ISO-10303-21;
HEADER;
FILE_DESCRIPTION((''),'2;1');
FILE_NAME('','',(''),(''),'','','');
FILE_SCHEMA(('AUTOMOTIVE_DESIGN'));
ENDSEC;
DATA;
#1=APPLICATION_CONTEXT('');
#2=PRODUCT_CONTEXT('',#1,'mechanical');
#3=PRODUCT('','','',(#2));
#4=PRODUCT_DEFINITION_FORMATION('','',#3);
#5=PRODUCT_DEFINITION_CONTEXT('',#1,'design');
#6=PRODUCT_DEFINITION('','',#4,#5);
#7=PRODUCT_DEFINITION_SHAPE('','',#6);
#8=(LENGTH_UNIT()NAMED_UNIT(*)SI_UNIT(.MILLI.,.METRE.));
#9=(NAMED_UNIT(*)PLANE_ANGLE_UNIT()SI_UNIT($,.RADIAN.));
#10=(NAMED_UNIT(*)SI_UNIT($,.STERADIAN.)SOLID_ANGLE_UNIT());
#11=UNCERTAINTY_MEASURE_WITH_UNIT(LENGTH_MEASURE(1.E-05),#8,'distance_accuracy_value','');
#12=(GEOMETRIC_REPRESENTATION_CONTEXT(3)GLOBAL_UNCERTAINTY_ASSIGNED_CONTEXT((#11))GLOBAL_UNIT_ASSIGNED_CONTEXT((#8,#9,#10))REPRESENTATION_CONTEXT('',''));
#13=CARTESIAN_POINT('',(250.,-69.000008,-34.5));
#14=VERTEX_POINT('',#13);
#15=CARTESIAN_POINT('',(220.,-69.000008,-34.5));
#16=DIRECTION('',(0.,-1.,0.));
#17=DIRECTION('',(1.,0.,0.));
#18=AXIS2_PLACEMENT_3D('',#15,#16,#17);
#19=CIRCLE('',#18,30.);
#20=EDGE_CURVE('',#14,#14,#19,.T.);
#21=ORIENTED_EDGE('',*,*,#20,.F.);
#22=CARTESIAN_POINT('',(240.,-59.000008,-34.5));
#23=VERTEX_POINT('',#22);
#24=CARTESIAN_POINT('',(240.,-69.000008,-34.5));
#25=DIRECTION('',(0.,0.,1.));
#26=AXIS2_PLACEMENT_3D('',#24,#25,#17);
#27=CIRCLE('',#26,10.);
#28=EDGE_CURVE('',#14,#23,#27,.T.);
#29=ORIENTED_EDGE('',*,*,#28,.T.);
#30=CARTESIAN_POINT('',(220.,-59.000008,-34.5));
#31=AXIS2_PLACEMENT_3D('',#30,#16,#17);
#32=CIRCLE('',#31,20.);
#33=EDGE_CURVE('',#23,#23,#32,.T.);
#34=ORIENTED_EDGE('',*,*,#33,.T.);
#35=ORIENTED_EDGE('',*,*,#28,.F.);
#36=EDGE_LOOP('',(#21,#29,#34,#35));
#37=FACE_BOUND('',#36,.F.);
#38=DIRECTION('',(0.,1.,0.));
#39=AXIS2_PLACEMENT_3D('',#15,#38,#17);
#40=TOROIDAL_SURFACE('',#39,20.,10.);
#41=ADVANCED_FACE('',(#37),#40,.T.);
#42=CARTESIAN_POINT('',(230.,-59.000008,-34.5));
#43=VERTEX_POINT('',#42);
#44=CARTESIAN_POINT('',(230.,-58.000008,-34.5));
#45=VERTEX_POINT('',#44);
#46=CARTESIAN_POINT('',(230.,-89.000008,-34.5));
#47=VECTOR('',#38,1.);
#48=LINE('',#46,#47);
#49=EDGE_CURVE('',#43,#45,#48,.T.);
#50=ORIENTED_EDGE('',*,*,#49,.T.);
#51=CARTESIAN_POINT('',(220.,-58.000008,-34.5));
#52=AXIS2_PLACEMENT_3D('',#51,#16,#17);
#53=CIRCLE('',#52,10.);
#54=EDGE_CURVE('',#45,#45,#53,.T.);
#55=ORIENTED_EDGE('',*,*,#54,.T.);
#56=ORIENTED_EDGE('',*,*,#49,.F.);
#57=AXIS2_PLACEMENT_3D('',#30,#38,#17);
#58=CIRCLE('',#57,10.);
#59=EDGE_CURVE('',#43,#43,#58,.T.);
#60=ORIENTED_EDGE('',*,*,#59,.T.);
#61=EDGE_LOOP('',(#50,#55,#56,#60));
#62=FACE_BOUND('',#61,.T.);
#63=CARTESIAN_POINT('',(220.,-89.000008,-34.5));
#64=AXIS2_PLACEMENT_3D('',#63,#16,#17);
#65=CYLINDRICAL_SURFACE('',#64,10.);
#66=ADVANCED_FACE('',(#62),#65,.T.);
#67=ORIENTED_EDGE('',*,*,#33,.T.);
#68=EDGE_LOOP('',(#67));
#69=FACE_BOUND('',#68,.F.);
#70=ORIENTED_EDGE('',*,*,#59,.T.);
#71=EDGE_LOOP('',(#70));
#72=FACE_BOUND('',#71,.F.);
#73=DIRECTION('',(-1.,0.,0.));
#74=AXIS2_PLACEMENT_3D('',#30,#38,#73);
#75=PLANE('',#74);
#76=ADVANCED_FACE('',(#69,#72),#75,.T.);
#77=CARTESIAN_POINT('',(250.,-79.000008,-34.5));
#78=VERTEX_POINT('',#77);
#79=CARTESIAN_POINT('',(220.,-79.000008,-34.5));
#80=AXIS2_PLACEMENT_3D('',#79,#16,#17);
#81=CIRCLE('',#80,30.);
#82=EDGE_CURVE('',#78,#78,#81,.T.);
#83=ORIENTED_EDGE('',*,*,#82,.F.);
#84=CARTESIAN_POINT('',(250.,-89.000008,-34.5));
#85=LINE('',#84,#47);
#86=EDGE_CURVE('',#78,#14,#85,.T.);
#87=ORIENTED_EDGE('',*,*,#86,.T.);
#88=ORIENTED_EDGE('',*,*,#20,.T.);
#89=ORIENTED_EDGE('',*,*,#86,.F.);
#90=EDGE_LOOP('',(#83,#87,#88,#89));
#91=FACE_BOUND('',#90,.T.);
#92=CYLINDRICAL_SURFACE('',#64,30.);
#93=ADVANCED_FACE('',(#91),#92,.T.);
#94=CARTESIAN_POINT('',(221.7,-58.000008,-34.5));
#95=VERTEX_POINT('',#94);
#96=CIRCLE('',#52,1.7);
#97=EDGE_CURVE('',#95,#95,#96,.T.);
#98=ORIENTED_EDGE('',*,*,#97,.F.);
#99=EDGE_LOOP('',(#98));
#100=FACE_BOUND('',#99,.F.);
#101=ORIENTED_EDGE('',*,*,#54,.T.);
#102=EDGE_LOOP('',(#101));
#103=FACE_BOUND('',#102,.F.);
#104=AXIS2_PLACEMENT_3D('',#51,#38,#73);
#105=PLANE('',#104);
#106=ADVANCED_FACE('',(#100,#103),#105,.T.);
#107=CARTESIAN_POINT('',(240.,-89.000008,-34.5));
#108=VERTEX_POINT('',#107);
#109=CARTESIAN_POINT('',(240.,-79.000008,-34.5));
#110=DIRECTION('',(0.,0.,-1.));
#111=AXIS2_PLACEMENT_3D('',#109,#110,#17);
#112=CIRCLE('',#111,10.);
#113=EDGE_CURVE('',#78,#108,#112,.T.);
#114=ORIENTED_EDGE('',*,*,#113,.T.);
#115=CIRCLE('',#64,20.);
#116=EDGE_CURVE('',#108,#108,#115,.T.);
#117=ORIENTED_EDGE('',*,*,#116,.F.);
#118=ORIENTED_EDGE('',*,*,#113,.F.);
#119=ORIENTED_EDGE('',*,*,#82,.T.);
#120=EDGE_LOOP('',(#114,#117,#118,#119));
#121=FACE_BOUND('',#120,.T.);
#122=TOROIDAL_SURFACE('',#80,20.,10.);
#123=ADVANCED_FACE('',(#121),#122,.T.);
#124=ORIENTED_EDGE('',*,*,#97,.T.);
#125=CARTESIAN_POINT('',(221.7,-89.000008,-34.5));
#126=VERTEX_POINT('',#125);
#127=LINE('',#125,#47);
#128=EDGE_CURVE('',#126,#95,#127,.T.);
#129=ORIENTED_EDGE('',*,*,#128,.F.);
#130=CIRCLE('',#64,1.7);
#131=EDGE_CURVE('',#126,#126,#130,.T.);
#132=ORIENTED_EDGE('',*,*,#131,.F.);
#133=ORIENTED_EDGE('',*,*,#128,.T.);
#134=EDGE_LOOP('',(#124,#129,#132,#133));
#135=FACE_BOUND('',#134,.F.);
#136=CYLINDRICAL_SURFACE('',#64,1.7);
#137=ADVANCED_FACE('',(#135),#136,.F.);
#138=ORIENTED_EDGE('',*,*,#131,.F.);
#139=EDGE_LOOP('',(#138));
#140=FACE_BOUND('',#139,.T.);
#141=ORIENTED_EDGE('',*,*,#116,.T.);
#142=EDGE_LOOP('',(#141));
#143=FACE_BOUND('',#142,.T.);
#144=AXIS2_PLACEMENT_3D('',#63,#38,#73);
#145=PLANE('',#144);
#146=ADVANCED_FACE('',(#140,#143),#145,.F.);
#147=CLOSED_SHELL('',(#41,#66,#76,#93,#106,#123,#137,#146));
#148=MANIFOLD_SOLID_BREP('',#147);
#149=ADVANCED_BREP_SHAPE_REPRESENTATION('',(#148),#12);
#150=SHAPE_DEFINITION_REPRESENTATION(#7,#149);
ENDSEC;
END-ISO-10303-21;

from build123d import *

# Parameters (mm, degrees)
CYLINDER014_R          = 1.7
CYLINDER014_DEPTH      = 31
CYLINDER014_ROLL_ANGLE = 90
CYLINDER012_R          = 30
CYLINDER012_DEPTH      = 30
CYLINDER012_ROLL_ANGLE = 90
CYLINDER013_R          = 10
CYLINDER013_DEPTH      = 31
CYLINDER013_ROLL_ANGLE = 90
FILLET004_R            = 10


with BuildPart() as cilindro014:
    # Cylinder014 → Cylinder014 (new body)
    with BuildSketch(Plane.XY):
        Circle(CYLINDER014_R)
    extrude(amount=CYLINDER014_DEPTH)


with BuildPart() as cilindro014_1:
    # Cylinder014 roll: moved
    add(cilindro014.part.rotate(Axis((0, 0, 0), (1, 0, 0)), CYLINDER014_ROLL_ANGLE))


with BuildPart() as cilindro014_2:
    # Cylinder014 placement: moved
    add(cilindro014_1.part.moved(Location((220, 89, -34.5))))


with BuildPart() as cilindro012:
    # Cylinder012 → Cylinder012 (new body)
    with BuildSketch(Plane.XY):
        Circle(CYLINDER012_R)
    extrude(amount=CYLINDER012_DEPTH)


with BuildPart() as cilindro012_1:
    # Cylinder012 roll: moved
    add(cilindro012.part.rotate(Axis((0, 0, 0), (1, 0, 0)), CYLINDER012_ROLL_ANGLE))


with BuildPart() as cilindro012_2:
    # Cylinder012 placement: moved
    add(cilindro012_1.part.moved(Location((220, 89, -34.5))))


with BuildPart() as fillet004:
    # Cylinder013 → Cylinder013 (new body)
    with BuildSketch(Plane.XY):
        Circle(CYLINDER013_R)
    extrude(amount=CYLINDER013_DEPTH)


with BuildPart() as fillet004_1:
    # Cylinder013 roll: moved
    add(fillet004.part.rotate(Axis((0, 0, 0), (1, 0, 0)), CYLINDER013_ROLL_ANGLE))


with BuildPart() as fillet004_2:
    # Cylinder013 placement: moved
    add(fillet004_1.part.moved(Location((220, 89, -34.5))))

    # Fusion015: union Cilindro012
    add(cilindro012_2.part)

    # Cut008: cut Cilindro014
    add(cilindro014_2.part, mode=Mode.SUBTRACT)

    # Fillet004
    fillet004_edges = [fillet004_2.edges().sort_by_distance(p)[0] for p in [
        (190, 59, -34.5),
        (190, 89, -34.5),
    ]]
    fillet(fillet004_edges, radius=FILLET004_R)


with BuildPart() as part_mirroring001:
    # Part__Mirroring001: instance of Fillet004
    add(fillet004_2.part.mirror(Plane(origin=(220, -4e-06, -34.499992), x_dir=(1, 0, 0), z_dir=(0, 1, 0))))


solid = part_mirroring001.part
